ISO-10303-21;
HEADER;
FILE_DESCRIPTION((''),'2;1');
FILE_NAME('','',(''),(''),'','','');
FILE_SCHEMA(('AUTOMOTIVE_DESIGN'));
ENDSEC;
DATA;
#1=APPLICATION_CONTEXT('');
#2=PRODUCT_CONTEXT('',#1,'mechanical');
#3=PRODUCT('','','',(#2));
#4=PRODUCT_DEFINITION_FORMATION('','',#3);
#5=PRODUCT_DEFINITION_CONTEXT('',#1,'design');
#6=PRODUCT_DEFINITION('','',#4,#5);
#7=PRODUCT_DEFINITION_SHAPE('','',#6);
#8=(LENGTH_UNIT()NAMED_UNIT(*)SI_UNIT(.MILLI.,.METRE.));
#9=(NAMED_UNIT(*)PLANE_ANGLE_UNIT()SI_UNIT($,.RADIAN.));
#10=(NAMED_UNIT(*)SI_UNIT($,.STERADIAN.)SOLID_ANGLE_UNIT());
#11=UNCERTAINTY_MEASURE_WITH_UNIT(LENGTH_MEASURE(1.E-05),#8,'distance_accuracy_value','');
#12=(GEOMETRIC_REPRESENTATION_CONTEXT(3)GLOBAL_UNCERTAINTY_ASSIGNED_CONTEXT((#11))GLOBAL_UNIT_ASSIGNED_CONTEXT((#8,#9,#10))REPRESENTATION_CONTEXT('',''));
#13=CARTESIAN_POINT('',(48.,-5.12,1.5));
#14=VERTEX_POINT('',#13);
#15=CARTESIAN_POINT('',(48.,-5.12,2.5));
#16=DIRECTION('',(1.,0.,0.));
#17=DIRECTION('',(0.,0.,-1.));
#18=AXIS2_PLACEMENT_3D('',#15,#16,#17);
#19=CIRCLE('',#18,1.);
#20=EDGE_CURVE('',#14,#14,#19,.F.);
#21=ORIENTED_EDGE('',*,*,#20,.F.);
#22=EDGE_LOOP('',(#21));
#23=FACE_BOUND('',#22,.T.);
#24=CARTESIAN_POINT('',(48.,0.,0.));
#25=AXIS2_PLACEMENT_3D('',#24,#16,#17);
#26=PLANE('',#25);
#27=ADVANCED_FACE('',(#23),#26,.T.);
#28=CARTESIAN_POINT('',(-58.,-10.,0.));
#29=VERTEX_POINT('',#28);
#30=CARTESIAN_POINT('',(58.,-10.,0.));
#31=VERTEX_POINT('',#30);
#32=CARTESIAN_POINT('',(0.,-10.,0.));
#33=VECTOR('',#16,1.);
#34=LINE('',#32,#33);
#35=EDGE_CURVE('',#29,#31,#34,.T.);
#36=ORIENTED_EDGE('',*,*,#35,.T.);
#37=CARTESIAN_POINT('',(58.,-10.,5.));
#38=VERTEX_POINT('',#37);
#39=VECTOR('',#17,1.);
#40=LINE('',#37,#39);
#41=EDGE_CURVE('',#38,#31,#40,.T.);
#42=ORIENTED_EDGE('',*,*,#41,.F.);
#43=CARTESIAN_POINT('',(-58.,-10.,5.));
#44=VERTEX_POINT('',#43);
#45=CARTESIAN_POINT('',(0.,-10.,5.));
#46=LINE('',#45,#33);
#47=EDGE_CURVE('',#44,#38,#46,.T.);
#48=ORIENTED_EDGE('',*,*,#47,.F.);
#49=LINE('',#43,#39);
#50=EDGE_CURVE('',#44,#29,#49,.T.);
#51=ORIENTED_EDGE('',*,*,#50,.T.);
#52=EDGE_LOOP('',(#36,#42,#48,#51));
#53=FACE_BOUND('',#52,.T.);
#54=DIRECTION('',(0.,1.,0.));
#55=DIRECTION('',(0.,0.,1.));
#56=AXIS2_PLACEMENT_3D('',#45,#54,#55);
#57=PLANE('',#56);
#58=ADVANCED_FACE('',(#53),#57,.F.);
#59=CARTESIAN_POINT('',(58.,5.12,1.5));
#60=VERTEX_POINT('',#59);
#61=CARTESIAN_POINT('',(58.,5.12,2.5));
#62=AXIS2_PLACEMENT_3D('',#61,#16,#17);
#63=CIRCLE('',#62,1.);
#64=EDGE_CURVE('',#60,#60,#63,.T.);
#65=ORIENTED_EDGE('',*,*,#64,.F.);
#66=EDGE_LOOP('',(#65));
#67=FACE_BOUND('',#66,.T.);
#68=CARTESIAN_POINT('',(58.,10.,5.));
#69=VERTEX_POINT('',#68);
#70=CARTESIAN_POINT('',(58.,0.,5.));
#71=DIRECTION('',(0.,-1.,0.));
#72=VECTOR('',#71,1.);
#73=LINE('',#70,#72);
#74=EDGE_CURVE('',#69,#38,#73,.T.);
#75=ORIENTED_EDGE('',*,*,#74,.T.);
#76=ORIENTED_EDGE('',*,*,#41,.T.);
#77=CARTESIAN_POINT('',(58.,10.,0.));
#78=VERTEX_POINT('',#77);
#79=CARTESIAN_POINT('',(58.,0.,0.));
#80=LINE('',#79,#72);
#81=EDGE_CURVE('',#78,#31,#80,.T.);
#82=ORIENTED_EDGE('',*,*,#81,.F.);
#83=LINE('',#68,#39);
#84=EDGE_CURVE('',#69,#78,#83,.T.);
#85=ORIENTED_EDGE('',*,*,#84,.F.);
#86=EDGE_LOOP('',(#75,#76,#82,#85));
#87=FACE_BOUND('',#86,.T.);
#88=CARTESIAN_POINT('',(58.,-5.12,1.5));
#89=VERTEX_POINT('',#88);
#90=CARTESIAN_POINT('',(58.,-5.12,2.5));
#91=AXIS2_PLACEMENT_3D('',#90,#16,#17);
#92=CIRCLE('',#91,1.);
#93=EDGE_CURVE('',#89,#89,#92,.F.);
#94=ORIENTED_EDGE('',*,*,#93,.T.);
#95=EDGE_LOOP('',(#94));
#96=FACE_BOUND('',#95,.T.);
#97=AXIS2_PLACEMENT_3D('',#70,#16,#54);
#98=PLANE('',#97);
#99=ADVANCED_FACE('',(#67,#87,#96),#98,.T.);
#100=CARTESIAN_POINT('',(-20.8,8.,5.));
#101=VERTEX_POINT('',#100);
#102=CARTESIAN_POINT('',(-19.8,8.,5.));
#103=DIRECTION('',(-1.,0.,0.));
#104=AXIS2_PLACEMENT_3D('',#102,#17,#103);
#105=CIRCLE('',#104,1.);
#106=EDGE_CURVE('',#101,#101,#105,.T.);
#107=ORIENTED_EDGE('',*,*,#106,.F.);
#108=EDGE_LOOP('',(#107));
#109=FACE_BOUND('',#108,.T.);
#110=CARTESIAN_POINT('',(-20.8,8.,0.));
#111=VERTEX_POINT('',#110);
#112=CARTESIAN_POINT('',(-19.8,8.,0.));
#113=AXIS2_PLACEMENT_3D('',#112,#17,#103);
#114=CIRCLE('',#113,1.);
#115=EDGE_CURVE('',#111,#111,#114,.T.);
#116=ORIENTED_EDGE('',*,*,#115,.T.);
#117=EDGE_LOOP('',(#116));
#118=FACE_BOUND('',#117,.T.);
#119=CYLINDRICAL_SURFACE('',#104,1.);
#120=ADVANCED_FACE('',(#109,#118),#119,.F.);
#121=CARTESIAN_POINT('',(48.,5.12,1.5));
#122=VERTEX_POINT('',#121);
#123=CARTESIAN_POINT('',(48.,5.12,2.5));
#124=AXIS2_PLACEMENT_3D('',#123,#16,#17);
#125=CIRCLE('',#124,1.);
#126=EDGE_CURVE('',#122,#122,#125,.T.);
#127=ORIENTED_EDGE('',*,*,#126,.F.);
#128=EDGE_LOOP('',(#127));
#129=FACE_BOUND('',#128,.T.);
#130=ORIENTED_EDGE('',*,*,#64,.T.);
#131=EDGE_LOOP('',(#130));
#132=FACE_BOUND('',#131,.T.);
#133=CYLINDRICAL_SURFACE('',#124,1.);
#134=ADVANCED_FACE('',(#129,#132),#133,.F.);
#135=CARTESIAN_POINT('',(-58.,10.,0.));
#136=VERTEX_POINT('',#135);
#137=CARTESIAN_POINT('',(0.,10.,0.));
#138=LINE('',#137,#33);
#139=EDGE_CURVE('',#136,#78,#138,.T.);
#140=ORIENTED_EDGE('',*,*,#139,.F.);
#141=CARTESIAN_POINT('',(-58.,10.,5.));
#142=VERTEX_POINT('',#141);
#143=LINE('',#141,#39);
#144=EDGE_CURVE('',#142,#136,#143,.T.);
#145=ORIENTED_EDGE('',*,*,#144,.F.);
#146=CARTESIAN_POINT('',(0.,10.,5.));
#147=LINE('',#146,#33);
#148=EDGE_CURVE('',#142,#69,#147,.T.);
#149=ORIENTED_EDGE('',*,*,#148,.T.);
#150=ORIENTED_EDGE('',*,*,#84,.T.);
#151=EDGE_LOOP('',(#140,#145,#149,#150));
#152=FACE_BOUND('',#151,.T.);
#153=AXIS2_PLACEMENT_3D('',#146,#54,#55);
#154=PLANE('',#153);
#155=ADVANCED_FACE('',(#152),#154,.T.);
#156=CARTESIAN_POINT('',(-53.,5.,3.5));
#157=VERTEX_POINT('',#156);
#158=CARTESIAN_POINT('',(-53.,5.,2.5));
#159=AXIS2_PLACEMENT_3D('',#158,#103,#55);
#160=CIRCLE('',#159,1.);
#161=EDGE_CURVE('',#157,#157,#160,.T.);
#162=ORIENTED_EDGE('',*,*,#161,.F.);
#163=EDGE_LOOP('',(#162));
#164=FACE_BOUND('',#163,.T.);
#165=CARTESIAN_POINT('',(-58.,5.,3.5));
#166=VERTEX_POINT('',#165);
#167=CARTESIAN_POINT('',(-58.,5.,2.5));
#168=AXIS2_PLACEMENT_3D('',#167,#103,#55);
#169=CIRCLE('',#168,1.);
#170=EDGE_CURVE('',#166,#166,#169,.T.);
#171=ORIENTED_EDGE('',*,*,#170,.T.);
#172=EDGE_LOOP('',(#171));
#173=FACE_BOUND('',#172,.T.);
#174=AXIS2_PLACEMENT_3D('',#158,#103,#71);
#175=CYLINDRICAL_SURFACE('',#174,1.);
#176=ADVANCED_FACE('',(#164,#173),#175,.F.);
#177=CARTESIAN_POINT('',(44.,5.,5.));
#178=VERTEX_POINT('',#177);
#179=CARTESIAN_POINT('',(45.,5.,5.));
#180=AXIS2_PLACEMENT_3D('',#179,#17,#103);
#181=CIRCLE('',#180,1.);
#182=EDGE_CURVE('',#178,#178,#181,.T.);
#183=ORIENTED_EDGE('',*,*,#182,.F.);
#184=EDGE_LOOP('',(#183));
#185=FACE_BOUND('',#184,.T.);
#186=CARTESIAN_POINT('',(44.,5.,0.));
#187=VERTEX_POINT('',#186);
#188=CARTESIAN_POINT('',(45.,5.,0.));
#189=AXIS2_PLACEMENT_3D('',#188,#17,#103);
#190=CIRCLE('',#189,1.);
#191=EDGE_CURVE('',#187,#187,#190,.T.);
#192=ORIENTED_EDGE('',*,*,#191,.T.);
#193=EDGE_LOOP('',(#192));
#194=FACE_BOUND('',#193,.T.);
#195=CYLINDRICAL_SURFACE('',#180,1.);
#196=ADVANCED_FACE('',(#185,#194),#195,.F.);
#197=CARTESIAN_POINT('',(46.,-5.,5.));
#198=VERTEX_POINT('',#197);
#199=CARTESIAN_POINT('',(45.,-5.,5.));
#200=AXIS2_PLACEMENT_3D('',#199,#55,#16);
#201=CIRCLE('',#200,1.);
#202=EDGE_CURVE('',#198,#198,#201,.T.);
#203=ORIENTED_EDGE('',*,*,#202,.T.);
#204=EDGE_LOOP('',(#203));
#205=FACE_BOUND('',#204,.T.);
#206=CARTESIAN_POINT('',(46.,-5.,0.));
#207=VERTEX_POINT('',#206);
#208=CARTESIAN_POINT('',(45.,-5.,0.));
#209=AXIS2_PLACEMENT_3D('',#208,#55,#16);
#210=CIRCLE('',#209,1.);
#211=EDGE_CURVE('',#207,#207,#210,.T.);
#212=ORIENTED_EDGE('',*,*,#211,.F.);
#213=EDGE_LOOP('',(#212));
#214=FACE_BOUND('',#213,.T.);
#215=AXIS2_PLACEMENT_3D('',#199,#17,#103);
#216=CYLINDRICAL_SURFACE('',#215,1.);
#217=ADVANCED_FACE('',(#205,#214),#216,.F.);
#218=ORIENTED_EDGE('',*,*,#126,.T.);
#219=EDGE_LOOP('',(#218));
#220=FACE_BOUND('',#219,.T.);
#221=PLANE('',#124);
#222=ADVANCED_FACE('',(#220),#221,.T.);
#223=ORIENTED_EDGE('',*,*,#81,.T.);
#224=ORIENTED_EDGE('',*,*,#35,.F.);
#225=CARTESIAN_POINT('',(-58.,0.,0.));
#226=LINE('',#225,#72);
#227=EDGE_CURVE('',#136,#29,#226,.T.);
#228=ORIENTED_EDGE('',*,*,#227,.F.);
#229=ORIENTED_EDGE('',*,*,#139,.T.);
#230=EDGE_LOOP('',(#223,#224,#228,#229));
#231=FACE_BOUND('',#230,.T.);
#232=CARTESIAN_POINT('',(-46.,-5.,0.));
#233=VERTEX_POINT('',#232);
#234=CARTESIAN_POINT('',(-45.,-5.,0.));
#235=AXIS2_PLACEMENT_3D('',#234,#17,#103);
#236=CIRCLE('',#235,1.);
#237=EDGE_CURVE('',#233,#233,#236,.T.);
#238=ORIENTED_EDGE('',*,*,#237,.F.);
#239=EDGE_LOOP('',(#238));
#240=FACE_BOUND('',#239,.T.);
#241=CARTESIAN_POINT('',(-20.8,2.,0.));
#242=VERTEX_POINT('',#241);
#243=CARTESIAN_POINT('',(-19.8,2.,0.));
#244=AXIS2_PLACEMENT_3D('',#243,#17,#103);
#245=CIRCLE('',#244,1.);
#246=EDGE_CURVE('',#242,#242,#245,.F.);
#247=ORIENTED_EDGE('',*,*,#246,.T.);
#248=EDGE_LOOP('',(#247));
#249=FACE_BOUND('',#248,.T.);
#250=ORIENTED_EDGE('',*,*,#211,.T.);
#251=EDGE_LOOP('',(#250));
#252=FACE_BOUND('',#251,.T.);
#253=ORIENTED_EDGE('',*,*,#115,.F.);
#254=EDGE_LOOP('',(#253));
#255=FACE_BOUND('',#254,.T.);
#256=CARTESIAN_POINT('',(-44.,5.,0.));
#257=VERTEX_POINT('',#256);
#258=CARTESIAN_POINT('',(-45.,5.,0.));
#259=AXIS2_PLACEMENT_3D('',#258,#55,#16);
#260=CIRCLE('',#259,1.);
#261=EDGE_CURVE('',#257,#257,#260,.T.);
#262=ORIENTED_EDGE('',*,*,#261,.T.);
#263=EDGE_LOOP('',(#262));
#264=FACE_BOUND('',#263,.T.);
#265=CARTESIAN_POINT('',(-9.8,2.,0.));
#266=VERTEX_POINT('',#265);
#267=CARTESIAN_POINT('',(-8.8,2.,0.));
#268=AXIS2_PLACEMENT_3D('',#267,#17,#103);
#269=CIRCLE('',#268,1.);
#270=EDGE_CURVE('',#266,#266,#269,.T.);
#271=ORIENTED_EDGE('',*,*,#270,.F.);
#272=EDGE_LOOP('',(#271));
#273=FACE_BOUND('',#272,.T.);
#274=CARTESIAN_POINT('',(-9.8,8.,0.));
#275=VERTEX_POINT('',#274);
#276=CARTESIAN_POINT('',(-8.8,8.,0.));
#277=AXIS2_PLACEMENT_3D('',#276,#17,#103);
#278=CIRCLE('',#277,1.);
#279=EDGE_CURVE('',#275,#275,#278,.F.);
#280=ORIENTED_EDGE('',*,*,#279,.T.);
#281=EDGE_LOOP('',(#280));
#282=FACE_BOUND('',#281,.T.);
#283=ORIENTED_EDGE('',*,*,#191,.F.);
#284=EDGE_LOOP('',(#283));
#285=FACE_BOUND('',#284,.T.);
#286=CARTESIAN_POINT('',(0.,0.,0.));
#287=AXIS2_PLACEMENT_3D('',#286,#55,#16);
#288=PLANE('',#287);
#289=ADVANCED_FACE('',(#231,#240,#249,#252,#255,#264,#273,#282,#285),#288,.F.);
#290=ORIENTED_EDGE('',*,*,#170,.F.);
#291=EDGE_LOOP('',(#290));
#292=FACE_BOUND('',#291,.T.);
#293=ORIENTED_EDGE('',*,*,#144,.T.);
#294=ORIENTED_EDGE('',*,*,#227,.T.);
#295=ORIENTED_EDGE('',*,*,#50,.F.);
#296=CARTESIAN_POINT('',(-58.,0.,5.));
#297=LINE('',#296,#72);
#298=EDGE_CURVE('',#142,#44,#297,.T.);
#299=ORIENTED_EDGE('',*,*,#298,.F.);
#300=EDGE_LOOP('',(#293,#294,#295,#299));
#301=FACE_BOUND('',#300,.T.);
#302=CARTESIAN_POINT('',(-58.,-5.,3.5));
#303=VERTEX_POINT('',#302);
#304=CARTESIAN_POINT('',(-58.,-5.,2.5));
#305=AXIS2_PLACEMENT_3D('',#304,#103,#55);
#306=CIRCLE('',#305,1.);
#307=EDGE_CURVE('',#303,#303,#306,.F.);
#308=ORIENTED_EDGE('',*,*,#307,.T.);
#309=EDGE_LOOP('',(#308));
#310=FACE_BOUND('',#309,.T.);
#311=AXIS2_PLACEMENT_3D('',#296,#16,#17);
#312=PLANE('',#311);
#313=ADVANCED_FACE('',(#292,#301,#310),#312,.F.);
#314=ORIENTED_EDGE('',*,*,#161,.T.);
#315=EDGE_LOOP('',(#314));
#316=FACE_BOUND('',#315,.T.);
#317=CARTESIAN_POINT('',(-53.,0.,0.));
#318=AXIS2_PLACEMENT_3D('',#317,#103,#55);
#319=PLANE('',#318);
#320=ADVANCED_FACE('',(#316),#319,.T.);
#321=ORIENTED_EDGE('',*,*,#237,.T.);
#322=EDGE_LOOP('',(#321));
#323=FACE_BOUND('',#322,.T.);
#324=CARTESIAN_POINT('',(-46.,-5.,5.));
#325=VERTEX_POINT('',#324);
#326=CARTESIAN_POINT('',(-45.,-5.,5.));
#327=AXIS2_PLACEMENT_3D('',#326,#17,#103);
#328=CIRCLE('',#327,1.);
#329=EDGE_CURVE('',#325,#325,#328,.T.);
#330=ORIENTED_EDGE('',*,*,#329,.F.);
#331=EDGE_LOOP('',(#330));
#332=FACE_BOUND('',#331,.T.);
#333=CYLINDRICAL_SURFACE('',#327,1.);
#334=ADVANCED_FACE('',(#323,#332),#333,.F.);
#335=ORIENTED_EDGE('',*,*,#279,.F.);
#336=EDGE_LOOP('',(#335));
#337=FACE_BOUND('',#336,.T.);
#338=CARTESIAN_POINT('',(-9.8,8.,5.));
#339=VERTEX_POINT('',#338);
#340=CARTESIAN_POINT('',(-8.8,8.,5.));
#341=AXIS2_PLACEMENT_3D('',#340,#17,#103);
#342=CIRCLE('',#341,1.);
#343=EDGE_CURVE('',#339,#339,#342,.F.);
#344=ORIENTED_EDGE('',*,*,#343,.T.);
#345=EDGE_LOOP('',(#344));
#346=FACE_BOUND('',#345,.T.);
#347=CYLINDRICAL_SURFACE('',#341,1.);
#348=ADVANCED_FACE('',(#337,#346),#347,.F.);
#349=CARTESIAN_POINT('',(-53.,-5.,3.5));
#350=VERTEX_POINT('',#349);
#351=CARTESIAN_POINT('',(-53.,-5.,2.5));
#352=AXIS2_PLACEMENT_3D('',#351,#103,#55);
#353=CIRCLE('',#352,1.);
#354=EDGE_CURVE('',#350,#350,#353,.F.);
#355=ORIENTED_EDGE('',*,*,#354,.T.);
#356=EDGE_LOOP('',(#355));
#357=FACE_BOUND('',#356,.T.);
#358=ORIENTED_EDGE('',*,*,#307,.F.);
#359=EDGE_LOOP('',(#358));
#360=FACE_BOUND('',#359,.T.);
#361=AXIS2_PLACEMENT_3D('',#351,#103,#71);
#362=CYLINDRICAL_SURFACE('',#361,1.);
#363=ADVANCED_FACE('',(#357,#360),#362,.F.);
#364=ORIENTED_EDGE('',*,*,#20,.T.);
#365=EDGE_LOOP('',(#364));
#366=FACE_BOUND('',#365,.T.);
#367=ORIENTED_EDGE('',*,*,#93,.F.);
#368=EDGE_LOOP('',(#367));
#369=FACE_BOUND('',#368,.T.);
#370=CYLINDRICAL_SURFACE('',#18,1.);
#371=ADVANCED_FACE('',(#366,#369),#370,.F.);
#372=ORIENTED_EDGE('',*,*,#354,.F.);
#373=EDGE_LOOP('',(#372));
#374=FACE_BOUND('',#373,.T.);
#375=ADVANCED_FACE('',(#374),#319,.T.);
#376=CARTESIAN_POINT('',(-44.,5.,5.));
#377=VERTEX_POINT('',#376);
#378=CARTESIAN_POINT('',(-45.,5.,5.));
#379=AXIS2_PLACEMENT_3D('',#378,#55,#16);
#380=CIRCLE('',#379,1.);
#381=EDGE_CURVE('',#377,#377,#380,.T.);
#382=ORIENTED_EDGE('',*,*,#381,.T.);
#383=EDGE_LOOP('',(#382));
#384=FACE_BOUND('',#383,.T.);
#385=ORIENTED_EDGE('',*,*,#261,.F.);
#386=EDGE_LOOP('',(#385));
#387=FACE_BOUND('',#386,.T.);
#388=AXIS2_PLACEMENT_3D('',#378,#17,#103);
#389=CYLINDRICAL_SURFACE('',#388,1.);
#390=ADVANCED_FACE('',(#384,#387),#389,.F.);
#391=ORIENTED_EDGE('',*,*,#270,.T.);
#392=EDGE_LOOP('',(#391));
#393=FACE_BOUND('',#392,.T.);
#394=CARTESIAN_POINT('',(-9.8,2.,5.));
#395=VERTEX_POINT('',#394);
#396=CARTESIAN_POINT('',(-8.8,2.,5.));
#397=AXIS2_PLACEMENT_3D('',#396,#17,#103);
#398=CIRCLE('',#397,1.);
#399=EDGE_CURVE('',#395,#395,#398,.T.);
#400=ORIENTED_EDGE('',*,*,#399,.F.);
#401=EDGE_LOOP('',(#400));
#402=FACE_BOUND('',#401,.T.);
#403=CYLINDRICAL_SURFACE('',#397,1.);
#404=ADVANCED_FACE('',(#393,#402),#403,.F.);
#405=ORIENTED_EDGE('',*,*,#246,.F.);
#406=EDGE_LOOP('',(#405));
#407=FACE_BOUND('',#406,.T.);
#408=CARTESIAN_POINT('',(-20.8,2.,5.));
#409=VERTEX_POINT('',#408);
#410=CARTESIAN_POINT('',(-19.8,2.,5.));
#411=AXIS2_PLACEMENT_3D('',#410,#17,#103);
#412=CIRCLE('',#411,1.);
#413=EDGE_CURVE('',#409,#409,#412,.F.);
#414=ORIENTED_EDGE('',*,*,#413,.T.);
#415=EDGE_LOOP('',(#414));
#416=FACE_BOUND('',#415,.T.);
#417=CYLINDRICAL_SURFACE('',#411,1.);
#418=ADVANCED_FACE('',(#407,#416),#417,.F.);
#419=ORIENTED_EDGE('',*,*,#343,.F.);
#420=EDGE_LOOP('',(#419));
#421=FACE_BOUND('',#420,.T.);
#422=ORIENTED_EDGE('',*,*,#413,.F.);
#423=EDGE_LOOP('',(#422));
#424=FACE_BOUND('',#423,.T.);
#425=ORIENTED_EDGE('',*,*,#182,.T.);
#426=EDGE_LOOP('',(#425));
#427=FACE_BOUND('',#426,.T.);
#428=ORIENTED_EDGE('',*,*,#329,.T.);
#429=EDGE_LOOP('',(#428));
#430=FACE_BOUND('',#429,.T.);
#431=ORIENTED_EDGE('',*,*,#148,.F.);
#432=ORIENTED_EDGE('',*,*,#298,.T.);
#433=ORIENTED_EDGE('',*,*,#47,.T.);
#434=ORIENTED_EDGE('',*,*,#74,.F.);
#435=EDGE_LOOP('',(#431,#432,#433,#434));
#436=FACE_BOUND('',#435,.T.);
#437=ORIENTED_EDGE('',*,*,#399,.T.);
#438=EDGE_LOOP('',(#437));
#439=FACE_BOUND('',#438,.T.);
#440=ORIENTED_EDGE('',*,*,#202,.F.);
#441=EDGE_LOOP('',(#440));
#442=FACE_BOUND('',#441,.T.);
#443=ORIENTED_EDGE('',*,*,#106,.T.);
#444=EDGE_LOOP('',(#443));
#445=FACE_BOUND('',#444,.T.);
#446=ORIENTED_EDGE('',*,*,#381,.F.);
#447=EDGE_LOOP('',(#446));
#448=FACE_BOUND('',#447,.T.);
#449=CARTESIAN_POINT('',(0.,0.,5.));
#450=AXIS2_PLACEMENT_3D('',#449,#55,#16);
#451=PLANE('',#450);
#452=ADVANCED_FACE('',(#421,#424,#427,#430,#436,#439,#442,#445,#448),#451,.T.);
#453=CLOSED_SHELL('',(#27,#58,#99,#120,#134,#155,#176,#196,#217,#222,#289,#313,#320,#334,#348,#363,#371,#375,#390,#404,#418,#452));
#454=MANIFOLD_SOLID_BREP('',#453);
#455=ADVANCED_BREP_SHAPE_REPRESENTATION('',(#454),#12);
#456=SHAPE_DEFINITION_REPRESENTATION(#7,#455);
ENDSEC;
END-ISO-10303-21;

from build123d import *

# Parameters (mm, degrees)
SKETCH1_W           = 116
SKETCH1_H           = 20
BOSS_EXTRUDE2_DEPTH = 5
SKETCH4_R           = 1
CUT_EXTRUDE1_DEPTH  = 10
SKETCH6_R           = 1
CUT_EXTRUDE2_DEPTH  = 5
SKETCH7_R           = 1
CUT_EXTRUDE3_DEPTH  = 6
SKETCH8_R           = 1
CUT_EXTRUDE4_DEPTH  = 6


with BuildPart() as part:
    # Sketch1 → Boss-Extrude2 (new body)
    with BuildSketch(Plane.XY):
        Rectangle(SKETCH1_W, SKETCH1_H)
    extrude(amount=BOSS_EXTRUDE2_DEPTH)

    # Sketch4 → Cut-Extrude1 (cut)
    with BuildSketch(Plane(origin=(58, 0, 0), x_dir=(0, 0, -1), z_dir=(1, 0, 0))):
        with Locations((-2.5, -5.12)):
            Circle(SKETCH4_R)
        with Locations((-2.5, 5.12)):
            Circle(SKETCH4_R)
    extrude(amount=-CUT_EXTRUDE1_DEPTH, mode=Mode.SUBTRACT)

    # Sketch6 → Cut-Extrude2 (cut)
    with BuildSketch(Plane.ZY.offset(58)):
        with Locations((2.5, 5)):
            Circle(SKETCH6_R)
        with Locations((2.5, -5)):
            Circle(SKETCH6_R)
    extrude(amount=-CUT_EXTRUDE2_DEPTH, mode=Mode.SUBTRACT)

    # Sketch7 → Cut-Extrude3 (cut, through all)
    with BuildSketch(Plane(origin=(0, 0, 0), x_dir=(-1, 0, 0), z_dir=(0, 0, -1))):
        with Locations((-45, 5)):
            Circle(SKETCH7_R)
        with Locations((-45, -5)):
            Circle(SKETCH7_R)
        with Locations((45, 5)):
            Circle(SKETCH7_R)
        with Locations((45, -5)):
            Circle(SKETCH7_R)
    extrude(amount=-CUT_EXTRUDE3_DEPTH, mode=Mode.SUBTRACT)

    # Sketch8 → Cut-Extrude4 (cut, through all)
    with BuildSketch(Plane(origin=(0, 0, 0), x_dir=(-1, 0, 0), z_dir=(0, 0, -1))):
        with Locations((8.8, 8)):
            Circle(SKETCH8_R)
        with Locations((8.8, 2)):
            Circle(SKETCH8_R)
        with Locations((19.8, 2)):
            Circle(SKETCH8_R)
        with Locations((19.8, 8)):
            Circle(SKETCH8_R)
    extrude(amount=-CUT_EXTRUDE4_DEPTH, mode=Mode.SUBTRACT)


solid = part.part
